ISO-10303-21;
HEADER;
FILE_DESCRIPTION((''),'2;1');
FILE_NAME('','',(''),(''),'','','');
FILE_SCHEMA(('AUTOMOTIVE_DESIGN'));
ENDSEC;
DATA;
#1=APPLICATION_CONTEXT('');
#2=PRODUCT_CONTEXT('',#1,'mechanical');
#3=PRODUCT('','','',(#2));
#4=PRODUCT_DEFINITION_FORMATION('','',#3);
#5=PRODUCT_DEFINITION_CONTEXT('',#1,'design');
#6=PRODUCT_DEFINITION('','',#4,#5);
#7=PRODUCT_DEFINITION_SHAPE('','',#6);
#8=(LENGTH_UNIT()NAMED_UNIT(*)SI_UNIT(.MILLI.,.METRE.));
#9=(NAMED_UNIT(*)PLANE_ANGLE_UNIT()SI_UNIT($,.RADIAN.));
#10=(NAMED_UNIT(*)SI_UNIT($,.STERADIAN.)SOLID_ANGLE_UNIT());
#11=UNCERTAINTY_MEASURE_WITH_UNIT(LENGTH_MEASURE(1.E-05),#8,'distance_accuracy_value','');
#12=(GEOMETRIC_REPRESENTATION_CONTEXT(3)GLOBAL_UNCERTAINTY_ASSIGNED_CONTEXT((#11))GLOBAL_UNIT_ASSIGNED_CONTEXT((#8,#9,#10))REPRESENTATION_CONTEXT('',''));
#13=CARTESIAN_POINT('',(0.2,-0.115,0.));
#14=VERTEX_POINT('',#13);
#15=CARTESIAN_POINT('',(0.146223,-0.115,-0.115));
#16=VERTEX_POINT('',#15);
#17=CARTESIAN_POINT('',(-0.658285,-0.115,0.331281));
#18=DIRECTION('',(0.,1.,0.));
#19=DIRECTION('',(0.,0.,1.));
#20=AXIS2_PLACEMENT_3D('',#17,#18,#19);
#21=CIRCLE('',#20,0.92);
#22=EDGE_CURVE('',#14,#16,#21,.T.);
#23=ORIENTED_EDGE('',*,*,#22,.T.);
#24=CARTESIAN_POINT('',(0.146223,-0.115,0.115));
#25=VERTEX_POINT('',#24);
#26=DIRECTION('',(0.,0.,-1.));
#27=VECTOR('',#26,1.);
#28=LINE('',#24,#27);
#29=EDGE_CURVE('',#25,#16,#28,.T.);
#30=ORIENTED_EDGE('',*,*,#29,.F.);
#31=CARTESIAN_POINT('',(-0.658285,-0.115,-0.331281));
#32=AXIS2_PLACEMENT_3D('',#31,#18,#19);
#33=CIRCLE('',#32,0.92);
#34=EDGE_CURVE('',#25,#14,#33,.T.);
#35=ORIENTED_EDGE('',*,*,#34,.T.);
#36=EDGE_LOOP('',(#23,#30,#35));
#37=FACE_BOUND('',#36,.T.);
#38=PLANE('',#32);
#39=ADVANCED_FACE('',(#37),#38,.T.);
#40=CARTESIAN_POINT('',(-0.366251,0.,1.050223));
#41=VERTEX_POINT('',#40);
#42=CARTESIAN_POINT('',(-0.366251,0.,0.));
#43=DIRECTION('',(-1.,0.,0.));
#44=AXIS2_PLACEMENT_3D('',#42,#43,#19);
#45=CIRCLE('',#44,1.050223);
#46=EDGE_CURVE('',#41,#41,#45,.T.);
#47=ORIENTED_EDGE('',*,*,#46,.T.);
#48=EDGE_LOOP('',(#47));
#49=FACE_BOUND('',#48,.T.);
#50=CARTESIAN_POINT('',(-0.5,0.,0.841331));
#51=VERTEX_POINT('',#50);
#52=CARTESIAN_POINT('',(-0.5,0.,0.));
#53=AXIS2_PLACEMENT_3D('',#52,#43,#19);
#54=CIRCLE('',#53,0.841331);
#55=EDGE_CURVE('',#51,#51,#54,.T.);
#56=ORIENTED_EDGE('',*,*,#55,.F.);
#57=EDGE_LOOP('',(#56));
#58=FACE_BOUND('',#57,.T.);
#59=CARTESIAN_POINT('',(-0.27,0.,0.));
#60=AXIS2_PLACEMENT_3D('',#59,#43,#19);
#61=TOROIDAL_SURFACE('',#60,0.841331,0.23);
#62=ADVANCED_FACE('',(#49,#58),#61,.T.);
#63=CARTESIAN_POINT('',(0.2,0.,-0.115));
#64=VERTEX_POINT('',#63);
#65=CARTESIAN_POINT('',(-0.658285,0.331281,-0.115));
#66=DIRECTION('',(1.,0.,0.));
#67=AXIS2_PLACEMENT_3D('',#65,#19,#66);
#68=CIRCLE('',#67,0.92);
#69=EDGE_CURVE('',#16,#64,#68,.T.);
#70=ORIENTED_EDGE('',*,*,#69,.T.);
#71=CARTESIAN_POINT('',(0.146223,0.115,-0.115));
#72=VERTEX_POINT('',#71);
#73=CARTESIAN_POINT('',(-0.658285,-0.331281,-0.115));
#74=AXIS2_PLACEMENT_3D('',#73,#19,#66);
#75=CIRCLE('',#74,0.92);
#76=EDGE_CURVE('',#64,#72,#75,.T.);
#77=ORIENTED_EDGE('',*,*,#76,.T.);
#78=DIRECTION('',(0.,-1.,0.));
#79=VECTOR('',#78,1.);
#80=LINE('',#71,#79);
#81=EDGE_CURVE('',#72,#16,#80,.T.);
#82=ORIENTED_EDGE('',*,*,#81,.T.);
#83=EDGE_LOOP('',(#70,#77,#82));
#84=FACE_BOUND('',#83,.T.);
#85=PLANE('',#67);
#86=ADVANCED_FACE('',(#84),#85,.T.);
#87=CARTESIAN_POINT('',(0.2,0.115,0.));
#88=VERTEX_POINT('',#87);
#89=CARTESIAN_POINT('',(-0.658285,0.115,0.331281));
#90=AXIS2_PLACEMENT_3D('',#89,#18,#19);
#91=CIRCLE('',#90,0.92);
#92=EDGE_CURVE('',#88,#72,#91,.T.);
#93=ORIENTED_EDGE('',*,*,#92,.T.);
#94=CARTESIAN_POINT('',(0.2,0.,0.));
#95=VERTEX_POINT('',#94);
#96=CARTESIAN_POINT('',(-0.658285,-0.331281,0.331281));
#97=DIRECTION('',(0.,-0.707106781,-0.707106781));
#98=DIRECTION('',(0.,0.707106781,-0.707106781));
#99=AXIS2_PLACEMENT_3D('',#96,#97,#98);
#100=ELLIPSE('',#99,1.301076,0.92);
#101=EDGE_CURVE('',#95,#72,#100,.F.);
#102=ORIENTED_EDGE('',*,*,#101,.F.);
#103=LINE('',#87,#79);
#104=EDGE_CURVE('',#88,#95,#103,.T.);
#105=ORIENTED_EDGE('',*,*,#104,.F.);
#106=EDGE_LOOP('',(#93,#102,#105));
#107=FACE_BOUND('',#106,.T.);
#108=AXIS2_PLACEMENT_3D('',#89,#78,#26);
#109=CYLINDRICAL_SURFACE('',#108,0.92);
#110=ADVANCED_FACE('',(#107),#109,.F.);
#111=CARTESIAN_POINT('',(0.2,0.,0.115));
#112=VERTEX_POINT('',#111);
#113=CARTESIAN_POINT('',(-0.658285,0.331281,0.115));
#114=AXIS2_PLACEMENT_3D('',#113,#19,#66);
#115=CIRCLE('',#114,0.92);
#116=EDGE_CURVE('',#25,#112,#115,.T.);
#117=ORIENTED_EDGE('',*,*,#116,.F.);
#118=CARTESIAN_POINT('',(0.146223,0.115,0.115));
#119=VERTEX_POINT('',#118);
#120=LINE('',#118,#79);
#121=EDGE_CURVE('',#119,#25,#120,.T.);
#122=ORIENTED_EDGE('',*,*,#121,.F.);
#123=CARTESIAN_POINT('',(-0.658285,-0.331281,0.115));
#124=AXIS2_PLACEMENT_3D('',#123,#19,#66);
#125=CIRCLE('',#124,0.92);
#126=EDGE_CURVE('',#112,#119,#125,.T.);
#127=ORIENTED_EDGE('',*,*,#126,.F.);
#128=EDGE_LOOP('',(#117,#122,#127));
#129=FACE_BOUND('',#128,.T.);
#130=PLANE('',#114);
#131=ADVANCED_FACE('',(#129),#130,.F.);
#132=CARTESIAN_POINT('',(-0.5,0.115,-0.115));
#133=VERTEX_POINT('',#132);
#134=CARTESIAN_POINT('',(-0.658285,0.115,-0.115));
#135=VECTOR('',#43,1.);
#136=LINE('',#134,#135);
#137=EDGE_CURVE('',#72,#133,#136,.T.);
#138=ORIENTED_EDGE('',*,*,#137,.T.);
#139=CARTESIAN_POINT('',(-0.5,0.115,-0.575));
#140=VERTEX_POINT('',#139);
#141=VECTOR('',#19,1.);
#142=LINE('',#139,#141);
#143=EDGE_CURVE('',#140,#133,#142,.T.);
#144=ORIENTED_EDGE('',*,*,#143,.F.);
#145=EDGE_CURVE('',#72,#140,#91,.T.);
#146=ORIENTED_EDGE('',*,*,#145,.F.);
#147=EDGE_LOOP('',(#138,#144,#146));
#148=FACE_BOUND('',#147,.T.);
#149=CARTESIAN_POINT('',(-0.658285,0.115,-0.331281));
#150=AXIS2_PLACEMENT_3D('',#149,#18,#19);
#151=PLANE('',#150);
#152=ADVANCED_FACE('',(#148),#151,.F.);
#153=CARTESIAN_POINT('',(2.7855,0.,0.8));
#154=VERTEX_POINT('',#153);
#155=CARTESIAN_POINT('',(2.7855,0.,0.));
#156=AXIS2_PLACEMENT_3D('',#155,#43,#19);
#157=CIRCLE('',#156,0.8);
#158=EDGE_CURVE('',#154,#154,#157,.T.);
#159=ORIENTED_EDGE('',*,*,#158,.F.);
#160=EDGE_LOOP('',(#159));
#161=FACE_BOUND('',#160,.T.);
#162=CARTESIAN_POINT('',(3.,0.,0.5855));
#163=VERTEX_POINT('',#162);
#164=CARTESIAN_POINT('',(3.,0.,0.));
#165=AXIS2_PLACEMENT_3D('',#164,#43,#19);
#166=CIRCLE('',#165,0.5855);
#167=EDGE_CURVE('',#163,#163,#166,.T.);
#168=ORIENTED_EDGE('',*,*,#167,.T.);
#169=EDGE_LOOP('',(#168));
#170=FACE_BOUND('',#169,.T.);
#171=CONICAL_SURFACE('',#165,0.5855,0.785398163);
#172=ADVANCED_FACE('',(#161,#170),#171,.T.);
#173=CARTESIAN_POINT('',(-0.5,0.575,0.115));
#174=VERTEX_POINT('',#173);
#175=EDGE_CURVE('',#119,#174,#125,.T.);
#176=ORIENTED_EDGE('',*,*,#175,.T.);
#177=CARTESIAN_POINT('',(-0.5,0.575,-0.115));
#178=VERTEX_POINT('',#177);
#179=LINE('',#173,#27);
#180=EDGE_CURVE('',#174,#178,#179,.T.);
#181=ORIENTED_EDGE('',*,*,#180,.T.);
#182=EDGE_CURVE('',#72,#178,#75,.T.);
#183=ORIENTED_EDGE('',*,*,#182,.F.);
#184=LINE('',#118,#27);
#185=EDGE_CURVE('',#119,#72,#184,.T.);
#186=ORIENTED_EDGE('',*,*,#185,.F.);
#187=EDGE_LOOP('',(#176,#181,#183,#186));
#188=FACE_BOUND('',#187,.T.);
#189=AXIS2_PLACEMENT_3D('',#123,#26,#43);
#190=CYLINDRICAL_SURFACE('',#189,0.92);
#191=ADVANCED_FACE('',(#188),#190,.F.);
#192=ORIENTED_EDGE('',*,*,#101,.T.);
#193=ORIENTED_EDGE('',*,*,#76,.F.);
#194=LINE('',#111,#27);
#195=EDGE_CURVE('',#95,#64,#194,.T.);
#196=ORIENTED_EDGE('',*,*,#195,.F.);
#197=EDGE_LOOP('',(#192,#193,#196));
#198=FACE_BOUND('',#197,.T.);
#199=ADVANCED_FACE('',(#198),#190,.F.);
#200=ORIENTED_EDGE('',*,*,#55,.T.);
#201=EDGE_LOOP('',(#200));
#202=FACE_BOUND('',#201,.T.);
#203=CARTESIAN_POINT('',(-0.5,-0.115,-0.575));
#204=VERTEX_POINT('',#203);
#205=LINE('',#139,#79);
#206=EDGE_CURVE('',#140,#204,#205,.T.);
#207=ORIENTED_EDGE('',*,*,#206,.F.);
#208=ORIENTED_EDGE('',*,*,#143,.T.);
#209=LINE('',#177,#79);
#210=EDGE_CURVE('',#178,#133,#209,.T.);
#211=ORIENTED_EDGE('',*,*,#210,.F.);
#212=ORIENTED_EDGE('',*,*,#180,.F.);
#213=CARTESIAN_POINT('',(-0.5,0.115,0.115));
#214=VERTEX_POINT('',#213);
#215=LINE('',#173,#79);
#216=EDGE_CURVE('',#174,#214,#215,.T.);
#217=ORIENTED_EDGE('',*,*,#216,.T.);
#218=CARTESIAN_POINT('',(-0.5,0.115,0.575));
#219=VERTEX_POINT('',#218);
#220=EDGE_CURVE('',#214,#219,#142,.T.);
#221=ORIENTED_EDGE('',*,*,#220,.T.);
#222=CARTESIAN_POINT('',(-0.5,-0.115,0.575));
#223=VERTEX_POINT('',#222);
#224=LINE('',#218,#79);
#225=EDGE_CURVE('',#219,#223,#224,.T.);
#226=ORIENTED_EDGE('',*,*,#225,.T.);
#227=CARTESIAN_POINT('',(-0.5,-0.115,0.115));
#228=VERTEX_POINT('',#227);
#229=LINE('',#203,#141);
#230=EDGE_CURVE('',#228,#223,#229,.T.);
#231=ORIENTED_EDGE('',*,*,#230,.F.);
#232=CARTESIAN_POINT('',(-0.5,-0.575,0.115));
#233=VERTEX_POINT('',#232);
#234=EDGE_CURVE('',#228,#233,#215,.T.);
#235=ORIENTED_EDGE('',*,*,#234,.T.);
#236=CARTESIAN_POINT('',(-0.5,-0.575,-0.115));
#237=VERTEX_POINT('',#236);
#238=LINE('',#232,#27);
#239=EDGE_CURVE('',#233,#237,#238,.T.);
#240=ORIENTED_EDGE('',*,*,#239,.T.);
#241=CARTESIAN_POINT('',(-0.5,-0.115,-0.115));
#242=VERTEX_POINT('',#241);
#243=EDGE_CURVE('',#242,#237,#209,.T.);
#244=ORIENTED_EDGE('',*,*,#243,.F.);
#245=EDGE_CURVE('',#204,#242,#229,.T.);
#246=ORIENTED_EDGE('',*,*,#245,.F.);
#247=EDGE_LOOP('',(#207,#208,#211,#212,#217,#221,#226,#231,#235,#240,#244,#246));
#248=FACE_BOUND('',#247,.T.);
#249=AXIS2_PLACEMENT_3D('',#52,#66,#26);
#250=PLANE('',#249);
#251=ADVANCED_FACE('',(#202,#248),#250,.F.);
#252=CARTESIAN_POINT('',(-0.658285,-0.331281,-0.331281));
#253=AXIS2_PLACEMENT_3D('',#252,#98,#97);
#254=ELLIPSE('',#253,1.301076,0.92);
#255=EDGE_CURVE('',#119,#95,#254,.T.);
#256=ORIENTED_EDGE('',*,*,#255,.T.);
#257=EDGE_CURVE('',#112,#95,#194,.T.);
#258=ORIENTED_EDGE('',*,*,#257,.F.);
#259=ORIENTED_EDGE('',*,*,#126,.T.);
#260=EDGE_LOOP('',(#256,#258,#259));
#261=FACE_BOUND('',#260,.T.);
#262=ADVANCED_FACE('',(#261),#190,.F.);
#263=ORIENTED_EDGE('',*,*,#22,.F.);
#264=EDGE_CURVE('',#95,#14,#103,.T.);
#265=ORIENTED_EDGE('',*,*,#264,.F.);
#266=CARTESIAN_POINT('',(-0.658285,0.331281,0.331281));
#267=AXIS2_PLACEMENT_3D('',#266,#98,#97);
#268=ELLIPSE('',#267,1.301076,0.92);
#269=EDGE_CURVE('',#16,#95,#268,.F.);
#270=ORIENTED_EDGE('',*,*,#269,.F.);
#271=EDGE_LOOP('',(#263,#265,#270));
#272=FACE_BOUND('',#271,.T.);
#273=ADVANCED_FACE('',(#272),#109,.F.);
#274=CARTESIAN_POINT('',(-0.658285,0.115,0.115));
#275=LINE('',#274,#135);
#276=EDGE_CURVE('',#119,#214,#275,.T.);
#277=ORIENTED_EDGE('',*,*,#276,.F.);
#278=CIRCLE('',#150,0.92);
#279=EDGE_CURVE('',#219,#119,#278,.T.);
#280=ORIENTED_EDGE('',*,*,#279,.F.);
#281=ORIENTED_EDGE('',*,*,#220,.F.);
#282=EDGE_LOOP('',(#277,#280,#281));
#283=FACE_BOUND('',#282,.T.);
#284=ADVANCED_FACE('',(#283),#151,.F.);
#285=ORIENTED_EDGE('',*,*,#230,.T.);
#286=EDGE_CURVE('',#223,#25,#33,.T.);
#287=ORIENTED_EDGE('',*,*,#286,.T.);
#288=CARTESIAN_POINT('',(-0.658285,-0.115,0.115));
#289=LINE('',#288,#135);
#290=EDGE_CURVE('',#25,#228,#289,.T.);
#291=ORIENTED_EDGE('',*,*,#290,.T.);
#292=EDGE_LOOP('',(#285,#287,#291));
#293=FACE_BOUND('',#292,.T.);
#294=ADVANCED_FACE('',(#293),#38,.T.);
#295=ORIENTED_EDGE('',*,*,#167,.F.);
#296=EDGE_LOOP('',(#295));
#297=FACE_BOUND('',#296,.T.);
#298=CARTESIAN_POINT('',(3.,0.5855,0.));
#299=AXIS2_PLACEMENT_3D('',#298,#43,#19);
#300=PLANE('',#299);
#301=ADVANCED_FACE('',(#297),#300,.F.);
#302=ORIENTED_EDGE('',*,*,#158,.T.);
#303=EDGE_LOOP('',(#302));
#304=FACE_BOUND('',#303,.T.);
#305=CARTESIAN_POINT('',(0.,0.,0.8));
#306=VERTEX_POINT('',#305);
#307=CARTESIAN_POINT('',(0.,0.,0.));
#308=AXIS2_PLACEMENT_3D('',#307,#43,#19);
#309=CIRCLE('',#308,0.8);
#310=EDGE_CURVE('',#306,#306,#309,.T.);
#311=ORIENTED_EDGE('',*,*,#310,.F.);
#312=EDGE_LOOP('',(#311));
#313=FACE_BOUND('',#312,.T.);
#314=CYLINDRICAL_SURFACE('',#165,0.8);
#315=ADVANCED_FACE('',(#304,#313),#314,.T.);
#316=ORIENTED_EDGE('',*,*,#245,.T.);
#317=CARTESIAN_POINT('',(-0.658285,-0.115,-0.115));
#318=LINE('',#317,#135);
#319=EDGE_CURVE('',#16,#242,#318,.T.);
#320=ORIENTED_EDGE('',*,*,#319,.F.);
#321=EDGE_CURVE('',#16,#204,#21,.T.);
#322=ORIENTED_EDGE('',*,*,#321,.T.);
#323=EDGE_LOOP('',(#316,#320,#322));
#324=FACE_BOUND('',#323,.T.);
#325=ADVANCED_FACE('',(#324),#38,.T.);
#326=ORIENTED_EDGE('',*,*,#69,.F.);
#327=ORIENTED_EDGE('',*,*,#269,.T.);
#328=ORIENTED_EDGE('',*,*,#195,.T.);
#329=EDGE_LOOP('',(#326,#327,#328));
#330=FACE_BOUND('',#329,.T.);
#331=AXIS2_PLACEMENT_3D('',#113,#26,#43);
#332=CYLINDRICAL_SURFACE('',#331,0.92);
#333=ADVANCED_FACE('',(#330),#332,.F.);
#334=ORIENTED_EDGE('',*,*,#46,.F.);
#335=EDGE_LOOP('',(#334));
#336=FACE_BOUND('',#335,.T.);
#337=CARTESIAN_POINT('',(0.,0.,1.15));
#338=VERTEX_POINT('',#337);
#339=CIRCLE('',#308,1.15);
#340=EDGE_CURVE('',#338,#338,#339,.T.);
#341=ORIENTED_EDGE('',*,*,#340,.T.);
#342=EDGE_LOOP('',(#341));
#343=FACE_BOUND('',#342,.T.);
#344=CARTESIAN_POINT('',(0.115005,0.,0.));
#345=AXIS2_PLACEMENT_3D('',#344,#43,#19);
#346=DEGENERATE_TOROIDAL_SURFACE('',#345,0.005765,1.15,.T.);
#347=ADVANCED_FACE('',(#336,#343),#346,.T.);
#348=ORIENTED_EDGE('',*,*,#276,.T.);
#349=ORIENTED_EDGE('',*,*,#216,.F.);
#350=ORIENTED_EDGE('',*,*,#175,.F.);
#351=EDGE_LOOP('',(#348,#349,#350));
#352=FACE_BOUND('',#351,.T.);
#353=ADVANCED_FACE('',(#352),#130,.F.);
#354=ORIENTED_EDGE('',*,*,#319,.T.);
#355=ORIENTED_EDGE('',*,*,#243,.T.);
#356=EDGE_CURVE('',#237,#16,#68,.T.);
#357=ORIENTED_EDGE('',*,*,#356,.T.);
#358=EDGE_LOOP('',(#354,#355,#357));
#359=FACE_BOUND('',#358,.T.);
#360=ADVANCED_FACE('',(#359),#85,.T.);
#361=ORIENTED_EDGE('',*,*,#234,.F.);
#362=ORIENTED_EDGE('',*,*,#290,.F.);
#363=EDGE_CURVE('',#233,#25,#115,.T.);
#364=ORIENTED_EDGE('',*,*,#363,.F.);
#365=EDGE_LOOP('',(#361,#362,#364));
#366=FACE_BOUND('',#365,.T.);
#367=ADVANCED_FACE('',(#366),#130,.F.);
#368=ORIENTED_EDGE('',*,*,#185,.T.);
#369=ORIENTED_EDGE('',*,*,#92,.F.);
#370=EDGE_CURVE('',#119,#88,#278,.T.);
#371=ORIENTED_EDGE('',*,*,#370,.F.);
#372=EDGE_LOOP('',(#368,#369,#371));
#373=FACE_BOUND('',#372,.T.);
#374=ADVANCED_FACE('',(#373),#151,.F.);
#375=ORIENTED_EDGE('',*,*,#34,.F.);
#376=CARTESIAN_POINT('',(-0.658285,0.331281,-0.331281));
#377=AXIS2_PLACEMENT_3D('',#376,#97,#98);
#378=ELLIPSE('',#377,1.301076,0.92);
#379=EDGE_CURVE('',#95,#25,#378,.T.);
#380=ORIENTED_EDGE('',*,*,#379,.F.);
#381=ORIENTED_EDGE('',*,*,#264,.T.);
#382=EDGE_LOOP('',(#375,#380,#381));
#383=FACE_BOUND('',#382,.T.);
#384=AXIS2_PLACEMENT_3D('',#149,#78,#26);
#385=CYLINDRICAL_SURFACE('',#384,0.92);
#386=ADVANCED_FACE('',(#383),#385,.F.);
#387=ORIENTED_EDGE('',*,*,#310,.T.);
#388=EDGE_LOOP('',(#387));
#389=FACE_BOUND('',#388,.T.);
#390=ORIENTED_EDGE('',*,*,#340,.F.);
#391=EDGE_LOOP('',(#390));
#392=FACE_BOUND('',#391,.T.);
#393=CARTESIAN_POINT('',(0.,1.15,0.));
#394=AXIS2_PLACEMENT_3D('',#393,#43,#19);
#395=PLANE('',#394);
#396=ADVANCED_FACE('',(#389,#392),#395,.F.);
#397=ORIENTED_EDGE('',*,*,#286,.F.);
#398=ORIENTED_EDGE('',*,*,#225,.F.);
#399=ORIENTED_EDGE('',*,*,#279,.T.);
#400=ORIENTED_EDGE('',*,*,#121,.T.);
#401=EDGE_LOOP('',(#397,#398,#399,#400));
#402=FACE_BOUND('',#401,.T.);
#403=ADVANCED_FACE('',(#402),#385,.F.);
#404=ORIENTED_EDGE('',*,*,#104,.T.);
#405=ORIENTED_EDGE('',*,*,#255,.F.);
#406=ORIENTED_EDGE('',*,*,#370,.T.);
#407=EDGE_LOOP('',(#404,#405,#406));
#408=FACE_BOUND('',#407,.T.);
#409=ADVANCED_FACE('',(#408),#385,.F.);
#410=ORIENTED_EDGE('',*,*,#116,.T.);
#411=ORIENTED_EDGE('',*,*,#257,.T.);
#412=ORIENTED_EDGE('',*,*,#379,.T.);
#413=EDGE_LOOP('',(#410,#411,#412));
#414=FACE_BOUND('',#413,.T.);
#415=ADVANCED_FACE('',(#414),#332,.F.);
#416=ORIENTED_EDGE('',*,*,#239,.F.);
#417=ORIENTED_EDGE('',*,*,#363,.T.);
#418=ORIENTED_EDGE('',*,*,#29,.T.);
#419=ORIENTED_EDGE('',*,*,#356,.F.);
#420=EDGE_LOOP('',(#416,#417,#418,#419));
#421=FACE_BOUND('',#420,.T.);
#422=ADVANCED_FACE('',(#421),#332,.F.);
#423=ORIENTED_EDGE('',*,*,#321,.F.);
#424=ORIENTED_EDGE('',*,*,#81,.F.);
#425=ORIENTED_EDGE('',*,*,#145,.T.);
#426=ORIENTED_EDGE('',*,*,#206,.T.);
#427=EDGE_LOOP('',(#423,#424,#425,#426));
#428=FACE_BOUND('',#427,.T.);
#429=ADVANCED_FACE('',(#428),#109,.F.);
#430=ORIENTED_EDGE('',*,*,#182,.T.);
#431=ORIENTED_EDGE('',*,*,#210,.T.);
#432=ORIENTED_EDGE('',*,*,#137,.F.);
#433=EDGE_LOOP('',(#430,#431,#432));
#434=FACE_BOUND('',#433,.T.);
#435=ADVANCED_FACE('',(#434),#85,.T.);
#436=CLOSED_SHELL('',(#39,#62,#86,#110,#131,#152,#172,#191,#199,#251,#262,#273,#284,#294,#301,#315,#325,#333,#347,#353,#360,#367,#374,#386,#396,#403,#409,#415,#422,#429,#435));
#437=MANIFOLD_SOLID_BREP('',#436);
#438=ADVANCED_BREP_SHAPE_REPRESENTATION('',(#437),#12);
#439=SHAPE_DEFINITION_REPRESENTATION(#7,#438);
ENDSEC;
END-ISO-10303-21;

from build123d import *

# Parameters (mm, degrees)
CUT_EXTRUDE1_DEPTH      = 0.115
CUT_EXTRUDE1_DEPTH_BACK = 0.115
CUT_EXTRUDE2_DEPTH      = 0.115
CUT_EXTRUDE2_DEPTH_BACK = 0.115


with BuildPart() as part:
    # Sketch1 → Revolve1 (revolve)
    with BuildSketch(Plane.XY):
        with BuildLine():
            Line((-0.5, 0), (-0.5, 0.84133137))
            ThreePointArc((-0.5, 0.84133137), (-0.463697933, 0.965351975), (-0.366251212, 1.050222978))
            ThreePointArc((-0.366251212, 1.050222978), (-0.187270905, 1.115327627), (0, 1.15))
            Line((0, 1.15), (0, 0.8))
            Line((0, 0.8), (2.7855, 0.8))
            Line((2.7855, 0.8), (3, 0.5855))
            Line((3, 0.5855), (3, 0))
            Line((3, 0), (-0.5, 0))
        make_face()
    revolve(axis=Axis((3, 0, 0), (-1, 0, 0)))

    # Sketch2 → Cut-Extrude1 (cut, two sides: drawn at the far end of the back side and taken through both)
    with BuildSketch(Plane.XY.offset(-CUT_EXTRUDE1_DEPTH_BACK)):
        with BuildLine():
            Line((-0.5, 0.575), (-0.5, -0.575))
            ThreePointArc((-0.5, -0.575), (-0.07432444, -0.379626768), (0.2, 0))
            ThreePointArc((0.2, 0), (-0.07432444, 0.379626768), (-0.5, 0.575))
        make_face()
    extrude(amount=CUT_EXTRUDE1_DEPTH + CUT_EXTRUDE1_DEPTH_BACK, mode=Mode.SUBTRACT)

    # Sketch3 → Cut-Extrude2 (cut, two sides: drawn at the far end of the back side and taken through both)
    with BuildSketch(Plane(origin=(0, 0, 0), x_dir=(1, 0, 0), z_dir=(0, 1, 0)).offset(-CUT_EXTRUDE2_DEPTH_BACK)):
        with BuildLine():
            Line((-0.5, 0.575), (-0.5, -0.575))
            ThreePointArc((-0.5, -0.575), (-0.07432444, -0.379626768), (0.2, 0))
            ThreePointArc((0.2, 0), (-0.07432444, 0.379626768), (-0.5, 0.575))
        make_face()
    extrude(amount=CUT_EXTRUDE2_DEPTH + CUT_EXTRUDE2_DEPTH_BACK, mode=Mode.SUBTRACT)


solid = part.part
